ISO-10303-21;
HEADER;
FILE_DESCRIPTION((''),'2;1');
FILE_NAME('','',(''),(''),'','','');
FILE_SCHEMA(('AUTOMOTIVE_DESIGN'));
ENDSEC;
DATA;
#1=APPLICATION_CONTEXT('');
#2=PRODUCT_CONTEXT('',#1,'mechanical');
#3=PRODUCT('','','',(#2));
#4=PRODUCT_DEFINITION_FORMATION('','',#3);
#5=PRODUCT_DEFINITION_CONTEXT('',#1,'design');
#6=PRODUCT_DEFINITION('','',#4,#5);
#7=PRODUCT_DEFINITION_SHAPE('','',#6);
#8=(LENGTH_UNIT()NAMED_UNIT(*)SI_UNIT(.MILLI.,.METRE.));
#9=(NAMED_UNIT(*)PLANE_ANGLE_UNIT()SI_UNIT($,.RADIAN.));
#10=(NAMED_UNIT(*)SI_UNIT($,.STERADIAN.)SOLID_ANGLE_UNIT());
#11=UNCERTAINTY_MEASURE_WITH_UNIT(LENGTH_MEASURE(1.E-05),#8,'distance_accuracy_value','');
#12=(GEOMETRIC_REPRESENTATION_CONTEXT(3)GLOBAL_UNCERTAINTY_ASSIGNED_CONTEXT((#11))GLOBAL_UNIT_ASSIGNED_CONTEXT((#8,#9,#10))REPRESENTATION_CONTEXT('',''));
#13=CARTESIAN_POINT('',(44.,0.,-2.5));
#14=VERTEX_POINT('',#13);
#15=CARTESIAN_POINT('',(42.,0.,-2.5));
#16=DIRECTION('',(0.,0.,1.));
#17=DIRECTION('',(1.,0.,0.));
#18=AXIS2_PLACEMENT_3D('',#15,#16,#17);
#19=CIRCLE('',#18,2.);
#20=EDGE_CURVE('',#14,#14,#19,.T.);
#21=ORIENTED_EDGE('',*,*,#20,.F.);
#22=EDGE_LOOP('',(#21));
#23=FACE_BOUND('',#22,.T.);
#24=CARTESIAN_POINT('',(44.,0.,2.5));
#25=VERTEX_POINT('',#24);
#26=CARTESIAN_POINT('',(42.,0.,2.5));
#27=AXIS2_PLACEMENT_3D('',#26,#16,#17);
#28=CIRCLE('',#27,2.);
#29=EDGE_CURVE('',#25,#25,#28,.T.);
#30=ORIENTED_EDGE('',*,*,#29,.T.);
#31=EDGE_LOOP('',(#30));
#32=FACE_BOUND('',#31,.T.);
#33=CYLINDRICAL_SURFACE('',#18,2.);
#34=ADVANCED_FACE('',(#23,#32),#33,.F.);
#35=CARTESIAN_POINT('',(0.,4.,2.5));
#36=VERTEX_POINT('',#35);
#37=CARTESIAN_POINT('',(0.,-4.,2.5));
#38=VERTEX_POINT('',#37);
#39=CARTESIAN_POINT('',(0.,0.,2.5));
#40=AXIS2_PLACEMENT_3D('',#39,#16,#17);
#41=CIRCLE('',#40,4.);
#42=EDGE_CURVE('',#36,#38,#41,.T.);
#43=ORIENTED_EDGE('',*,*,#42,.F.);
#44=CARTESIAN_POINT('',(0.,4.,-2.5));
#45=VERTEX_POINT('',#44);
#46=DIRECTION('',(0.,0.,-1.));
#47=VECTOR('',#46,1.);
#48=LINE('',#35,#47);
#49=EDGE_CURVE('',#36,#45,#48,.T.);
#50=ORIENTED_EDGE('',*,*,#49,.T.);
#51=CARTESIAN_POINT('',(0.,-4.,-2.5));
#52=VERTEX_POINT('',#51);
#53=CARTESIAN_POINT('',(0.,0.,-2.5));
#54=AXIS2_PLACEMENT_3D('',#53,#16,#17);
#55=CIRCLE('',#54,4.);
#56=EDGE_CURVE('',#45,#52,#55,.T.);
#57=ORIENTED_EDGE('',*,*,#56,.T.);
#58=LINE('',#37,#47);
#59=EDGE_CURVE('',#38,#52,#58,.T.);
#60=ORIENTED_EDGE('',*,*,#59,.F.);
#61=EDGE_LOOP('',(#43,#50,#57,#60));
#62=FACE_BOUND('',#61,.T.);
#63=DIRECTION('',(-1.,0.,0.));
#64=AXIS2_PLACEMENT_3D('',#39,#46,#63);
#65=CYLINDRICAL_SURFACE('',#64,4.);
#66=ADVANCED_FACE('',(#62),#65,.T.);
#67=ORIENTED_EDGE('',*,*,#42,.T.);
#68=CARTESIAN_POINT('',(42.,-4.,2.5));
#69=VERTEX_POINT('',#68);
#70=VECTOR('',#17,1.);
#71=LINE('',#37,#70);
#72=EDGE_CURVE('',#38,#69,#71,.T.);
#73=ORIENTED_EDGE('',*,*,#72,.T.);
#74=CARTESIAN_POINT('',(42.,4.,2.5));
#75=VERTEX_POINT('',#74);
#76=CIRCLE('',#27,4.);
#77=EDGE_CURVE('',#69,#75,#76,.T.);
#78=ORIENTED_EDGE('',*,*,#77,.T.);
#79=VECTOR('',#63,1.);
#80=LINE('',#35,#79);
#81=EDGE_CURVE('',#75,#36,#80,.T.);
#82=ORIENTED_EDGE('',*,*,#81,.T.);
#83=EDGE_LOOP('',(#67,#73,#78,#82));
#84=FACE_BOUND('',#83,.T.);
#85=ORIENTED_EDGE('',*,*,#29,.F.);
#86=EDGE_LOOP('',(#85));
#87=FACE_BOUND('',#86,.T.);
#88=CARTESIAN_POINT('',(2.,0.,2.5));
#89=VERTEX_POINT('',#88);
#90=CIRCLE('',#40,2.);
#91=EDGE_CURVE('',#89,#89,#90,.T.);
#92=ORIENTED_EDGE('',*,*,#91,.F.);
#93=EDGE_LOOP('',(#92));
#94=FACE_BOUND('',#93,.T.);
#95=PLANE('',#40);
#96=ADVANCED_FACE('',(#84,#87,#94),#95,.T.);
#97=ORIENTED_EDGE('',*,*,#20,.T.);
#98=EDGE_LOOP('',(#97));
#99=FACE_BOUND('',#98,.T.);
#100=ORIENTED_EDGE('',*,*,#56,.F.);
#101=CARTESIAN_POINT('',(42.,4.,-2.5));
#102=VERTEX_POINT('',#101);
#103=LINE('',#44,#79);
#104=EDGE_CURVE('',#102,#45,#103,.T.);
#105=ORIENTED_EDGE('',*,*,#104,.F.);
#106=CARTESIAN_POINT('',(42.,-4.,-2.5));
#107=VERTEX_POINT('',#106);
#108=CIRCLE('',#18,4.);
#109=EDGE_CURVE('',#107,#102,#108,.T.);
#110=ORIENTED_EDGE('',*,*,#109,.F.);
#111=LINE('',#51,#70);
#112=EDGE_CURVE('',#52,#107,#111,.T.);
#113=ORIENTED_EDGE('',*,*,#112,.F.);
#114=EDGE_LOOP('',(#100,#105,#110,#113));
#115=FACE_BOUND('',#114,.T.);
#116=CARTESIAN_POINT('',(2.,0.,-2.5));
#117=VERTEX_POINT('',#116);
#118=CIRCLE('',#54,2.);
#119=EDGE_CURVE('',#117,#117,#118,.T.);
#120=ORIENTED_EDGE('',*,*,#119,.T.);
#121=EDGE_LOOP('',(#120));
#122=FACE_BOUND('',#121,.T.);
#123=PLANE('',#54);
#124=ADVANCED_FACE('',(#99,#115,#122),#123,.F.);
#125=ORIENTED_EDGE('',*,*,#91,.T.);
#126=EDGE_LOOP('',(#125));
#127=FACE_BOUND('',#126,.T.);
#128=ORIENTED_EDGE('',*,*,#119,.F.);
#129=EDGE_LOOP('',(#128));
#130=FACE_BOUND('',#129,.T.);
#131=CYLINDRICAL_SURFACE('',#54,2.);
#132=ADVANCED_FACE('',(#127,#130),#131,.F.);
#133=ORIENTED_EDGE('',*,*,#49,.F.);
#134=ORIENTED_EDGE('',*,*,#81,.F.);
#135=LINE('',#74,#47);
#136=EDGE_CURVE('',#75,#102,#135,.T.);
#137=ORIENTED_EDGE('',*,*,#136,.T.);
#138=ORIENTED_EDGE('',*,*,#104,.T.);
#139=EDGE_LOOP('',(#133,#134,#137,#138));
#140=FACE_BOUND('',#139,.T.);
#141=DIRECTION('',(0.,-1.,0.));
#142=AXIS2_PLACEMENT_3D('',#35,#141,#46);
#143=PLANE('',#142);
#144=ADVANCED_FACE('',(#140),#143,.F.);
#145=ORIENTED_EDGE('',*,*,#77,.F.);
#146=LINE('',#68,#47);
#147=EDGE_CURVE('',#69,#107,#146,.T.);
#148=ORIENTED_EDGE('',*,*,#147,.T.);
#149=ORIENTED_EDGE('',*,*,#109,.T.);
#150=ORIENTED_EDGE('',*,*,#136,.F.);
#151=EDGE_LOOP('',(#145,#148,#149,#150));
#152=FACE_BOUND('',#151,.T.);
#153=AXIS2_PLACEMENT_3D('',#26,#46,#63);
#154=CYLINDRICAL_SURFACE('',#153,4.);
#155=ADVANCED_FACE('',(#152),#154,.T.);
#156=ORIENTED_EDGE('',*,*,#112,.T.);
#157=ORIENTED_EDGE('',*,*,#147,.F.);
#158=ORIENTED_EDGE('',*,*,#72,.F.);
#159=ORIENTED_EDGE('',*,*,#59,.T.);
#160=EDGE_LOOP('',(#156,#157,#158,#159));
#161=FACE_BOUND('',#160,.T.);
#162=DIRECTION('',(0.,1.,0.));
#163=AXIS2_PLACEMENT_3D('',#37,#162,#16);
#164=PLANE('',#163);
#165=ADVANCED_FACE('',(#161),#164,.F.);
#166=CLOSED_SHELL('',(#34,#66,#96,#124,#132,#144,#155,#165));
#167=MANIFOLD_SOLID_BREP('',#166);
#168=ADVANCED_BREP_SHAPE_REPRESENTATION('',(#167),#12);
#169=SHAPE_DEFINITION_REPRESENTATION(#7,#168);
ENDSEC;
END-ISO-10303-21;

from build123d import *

# Parameters (mm, degrees)
BOSS_EXTRUDE1_DEPTH = 2.5
SKETCH2_R           = 2
CUT_EXTRUDE1_DEPTH  = 6


with BuildPart() as part:
    # Sketch1 → Boss-Extrude1 (new body, symmetric)
    with BuildSketch(Plane.XY):
        with BuildLine():
            Line((0, 4), (42, 4))
            ThreePointArc((42, 4), (46, 0), (42, -4))
            Line((42, -4), (0, -4))
            ThreePointArc((0, -4), (-4, 0), (0, 4))
        make_face()
    extrude(amount=BOSS_EXTRUDE1_DEPTH, both=True)

    # Sketch2 → Cut-Extrude1 (cut, through all)
    with BuildSketch(Plane.XY.offset(2.5)):
        with Locations((42, 0)):
            Circle(SKETCH2_R)
        Circle(SKETCH2_R)
    extrude(amount=-CUT_EXTRUDE1_DEPTH, mode=Mode.SUBTRACT)


solid = part.part
